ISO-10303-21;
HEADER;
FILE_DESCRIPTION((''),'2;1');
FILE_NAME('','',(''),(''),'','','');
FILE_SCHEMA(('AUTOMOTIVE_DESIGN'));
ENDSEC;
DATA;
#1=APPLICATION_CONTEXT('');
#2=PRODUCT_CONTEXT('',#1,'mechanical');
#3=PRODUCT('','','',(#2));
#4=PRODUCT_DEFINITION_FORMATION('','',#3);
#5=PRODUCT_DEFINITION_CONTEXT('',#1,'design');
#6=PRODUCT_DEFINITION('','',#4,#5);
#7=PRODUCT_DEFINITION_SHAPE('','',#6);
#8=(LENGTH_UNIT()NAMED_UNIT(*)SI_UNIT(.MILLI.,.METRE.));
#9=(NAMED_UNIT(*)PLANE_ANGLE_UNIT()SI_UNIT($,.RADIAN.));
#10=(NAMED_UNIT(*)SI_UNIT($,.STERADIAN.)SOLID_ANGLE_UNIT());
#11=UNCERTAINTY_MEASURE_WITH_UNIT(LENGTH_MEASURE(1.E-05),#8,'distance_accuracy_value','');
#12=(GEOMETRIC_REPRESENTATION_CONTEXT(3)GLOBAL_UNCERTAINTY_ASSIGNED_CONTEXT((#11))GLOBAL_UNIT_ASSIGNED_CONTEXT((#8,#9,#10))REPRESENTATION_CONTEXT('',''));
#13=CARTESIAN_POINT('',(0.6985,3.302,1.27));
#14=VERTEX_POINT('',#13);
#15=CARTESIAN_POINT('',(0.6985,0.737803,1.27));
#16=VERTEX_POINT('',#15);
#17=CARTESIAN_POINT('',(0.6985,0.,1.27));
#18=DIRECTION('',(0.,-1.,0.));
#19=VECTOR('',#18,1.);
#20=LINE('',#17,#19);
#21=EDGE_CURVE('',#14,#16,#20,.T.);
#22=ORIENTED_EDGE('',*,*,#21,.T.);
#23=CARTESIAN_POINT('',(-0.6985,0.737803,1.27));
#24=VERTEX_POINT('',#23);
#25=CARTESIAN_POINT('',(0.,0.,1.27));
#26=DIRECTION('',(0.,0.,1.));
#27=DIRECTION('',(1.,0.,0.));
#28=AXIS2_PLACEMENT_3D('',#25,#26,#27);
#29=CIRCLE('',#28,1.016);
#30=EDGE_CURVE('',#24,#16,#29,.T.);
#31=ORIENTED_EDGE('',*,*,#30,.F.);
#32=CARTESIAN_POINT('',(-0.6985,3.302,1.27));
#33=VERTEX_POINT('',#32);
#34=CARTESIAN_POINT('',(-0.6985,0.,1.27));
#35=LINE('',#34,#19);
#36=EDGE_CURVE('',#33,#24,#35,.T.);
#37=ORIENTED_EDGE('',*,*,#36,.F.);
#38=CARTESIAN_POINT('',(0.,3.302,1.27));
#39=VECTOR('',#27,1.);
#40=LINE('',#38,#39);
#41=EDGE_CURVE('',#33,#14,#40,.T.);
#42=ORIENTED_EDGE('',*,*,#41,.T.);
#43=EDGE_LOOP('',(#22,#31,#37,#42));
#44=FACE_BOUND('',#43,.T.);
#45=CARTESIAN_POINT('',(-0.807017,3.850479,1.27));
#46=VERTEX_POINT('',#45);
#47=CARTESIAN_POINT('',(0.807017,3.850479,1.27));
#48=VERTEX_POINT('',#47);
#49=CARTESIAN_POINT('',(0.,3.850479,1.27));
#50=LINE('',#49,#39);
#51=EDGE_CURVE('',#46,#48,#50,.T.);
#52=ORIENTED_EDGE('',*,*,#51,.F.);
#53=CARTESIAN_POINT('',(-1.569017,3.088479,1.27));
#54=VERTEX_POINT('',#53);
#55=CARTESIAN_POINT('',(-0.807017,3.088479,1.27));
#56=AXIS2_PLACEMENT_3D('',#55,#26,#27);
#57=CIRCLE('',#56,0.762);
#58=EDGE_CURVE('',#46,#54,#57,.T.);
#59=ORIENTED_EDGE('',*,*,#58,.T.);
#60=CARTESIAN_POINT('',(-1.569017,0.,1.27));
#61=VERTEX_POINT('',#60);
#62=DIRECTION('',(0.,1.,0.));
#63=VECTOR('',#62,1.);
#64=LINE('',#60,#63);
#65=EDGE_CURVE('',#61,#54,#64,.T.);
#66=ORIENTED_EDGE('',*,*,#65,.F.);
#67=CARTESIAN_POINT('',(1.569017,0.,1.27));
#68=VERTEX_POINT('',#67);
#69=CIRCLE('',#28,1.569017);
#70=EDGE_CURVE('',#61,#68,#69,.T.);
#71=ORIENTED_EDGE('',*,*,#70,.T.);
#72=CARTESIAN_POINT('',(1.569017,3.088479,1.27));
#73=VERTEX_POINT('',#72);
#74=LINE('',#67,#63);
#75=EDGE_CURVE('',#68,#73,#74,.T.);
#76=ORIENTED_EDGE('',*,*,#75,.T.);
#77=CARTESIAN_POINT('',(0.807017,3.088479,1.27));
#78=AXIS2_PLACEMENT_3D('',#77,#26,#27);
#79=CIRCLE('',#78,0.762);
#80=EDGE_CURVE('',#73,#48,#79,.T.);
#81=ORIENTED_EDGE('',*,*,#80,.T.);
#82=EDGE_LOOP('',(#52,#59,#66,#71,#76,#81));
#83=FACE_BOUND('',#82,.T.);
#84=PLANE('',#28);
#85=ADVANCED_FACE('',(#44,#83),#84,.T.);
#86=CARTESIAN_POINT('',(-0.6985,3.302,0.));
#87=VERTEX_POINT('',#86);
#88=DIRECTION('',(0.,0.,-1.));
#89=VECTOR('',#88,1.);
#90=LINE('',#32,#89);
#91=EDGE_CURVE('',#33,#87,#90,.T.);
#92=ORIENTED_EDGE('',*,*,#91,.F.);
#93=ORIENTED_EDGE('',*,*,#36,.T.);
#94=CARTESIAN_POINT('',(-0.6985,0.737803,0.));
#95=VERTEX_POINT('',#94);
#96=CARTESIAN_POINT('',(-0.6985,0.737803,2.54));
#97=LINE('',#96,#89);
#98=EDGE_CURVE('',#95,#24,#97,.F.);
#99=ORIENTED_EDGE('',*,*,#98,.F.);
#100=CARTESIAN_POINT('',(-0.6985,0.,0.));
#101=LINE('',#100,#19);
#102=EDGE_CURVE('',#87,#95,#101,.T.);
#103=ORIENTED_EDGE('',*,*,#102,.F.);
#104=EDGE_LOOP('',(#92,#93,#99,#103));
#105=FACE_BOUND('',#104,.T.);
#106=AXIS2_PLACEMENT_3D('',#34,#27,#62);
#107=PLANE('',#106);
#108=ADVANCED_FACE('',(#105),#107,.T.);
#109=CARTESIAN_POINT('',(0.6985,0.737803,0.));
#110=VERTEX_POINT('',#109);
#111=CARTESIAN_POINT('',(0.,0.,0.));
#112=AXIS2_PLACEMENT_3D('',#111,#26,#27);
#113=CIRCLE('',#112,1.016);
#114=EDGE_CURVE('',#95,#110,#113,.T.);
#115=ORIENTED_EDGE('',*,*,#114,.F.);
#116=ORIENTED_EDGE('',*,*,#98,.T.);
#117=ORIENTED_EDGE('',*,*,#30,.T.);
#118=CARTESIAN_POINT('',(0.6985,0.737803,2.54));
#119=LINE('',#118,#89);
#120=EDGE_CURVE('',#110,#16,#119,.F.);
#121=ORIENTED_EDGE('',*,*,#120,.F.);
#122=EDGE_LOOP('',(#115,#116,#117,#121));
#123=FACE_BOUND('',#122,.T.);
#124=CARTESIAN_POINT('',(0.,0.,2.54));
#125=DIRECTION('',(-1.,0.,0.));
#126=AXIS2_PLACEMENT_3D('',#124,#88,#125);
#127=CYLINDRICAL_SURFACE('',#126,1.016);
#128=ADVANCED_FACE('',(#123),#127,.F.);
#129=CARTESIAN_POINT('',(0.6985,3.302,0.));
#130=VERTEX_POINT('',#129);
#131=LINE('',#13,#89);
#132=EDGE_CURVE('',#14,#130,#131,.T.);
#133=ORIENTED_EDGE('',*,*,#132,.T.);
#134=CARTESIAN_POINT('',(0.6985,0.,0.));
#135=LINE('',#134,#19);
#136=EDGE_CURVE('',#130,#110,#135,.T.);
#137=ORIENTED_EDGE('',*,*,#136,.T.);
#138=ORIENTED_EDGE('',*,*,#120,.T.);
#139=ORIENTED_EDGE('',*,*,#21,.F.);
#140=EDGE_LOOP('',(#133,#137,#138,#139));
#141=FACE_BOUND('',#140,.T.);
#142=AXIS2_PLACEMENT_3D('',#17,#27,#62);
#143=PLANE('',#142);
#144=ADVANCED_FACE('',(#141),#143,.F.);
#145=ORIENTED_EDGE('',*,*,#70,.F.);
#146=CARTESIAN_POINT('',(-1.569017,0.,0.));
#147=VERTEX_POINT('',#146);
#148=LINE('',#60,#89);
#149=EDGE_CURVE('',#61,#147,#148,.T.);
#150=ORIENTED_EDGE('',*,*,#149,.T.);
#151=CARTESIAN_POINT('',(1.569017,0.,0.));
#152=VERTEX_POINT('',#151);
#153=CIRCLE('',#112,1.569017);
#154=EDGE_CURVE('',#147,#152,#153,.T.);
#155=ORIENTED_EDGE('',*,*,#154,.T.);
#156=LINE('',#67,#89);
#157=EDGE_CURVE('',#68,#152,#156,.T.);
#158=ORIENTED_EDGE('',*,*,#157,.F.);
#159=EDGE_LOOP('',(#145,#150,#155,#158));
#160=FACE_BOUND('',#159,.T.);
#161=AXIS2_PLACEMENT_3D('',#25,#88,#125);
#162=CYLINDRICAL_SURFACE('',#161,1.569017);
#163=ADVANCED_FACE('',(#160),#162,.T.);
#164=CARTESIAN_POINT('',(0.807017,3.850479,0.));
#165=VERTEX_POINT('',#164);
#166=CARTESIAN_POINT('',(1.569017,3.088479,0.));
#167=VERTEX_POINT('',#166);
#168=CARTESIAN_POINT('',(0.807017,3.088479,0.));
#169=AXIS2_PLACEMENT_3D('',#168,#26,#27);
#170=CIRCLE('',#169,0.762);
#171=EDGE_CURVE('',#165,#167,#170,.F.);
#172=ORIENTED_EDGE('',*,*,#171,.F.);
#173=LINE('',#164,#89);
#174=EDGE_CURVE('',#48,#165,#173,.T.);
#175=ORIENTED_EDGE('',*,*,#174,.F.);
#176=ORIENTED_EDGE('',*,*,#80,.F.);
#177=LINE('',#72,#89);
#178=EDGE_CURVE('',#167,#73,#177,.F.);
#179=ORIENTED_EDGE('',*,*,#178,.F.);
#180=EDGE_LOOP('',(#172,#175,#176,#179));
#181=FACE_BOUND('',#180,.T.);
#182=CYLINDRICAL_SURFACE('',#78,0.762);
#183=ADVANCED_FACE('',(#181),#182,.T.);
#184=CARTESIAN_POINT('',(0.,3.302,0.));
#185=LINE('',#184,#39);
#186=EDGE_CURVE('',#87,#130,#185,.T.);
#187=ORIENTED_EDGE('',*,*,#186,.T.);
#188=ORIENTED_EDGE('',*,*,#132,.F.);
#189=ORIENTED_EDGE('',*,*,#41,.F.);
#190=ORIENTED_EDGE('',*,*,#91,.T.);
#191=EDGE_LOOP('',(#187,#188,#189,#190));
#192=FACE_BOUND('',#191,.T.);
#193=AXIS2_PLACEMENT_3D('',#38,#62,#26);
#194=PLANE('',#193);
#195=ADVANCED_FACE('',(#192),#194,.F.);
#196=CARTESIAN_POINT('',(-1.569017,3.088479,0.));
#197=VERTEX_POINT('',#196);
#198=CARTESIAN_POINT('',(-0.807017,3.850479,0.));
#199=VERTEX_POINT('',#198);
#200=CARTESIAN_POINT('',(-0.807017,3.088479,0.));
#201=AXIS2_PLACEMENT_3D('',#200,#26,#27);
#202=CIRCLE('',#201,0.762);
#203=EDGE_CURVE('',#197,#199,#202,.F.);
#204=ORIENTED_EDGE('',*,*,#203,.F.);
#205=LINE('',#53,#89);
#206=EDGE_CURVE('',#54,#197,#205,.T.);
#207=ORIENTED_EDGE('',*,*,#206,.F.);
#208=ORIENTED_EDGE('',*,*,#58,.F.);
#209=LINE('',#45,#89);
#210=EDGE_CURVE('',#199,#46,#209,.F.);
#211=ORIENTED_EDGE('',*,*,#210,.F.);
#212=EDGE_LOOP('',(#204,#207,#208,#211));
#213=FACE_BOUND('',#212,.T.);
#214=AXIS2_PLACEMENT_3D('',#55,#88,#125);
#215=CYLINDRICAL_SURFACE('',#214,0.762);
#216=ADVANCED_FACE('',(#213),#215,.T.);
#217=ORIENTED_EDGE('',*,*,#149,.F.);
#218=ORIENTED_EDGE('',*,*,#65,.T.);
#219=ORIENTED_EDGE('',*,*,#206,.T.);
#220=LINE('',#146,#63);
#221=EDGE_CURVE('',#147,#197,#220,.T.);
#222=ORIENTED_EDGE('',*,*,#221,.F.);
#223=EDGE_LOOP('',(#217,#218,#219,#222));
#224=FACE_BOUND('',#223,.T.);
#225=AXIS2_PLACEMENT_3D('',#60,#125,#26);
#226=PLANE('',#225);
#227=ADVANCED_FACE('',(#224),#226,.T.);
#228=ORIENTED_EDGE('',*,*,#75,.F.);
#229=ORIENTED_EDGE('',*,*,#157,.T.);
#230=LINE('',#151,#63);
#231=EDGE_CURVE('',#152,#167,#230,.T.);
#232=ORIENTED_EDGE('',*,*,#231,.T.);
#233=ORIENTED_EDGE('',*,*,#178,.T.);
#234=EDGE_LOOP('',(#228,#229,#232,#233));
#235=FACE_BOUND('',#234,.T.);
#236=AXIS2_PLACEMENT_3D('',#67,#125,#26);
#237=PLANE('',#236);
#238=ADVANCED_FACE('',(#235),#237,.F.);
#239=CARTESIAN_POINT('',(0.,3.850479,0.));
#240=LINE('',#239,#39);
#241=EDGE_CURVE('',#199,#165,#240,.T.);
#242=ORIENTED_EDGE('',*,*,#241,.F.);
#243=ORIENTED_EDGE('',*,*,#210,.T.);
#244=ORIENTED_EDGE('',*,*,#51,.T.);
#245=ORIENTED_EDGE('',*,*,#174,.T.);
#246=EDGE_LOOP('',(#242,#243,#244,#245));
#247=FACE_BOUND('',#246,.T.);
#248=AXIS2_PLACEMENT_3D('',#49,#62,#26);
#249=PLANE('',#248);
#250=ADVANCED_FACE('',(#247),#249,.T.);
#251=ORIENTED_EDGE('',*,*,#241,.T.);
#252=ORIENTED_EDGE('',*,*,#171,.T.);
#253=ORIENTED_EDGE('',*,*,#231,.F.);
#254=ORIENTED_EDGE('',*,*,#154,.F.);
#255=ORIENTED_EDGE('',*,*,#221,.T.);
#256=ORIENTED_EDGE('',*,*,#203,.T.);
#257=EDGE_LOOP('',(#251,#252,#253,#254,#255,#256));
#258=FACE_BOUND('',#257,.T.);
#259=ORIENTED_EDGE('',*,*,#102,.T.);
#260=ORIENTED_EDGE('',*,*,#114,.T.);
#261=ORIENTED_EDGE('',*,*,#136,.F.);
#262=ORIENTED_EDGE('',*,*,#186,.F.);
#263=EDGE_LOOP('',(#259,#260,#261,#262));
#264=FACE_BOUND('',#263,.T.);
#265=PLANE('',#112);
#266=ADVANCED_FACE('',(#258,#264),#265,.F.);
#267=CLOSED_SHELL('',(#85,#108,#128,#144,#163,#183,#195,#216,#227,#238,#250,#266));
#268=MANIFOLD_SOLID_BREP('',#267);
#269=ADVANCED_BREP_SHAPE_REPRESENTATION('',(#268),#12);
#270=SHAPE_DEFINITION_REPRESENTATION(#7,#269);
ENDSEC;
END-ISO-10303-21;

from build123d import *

# Parameters (mm, degrees)
BOSS_EXTRUDE1_DEPTH = 1.27
SKETCH2_R           = 1.016
CUT_EXTRUDE1_DEPTH  = 2.54
FILLET2_R           = 0.762


with BuildPart() as part:
    # Sketch1 → Boss-Extrude1 (new body)
    with BuildSketch(Plane.XY):
        with BuildLine():
            Line((-0.6985, 1.404959328), (-0.6985, 3.302))
            Line((-0.6985, 3.302), (0.6985, 3.302))
            Line((0.6985, 3.302), (0.6985, 1.404959328))
            ThreePointArc((0.6985, 1.404959328), (1.33374867, 0.826394245), (1.569016559, 0))
            Line((1.569016559, 0), (1.569016559, 3.850479464))
            Line((1.569016559, 3.850479464), (-1.569016559, 3.850479464))
            Line((-1.569016559, 3.850479464), (-1.569016559, 0))
            ThreePointArc((-1.569016559, 0), (-1.33374867, 0.826394245), (-0.6985, 1.404959328))
        make_face()
        with BuildLine():
            ThreePointArc((0.6985, 0), (0, -0.6985), (-0.6985, 0))
            Line((-0.6985, 0), (-1.569016559, 0))
            ThreePointArc((-1.569016559, 0), (0, -1.569016559), (1.569016559, 0))
            Line((1.569016559, 0), (0.6985, 0))
        make_face()
        with BuildLine():
            ThreePointArc((1.569016559, 0), (1.33374867, 0.826394245), (0.6985, 1.404959328))
            Line((0.6985, 1.404959328), (0.6985, 0))
            Line((0.6985, 0), (1.569016559, 0))
        make_face()
        with BuildLine():
            Line((-0.6985, 0), (-0.6985, 1.404959328))
            ThreePointArc((-0.6985, 1.404959328), (-1.33374867, 0.826394245), (-1.569016559, 0))
            Line((-1.569016559, 0), (-0.6985, 0))
        make_face()
    extrude(amount=BOSS_EXTRUDE1_DEPTH)

    # Sketch2 → Cut-Extrude1 (cut)
    with BuildSketch(Plane(origin=(0, 0, 0), x_dir=(-1, 0, 0), z_dir=(0, 0, -1))):
        Circle(SKETCH2_R)
    extrude(amount=-CUT_EXTRUDE1_DEPTH, mode=Mode.SUBTRACT)

    # Fillet2
    fillet2_edges = [part.edges().sort_by_distance(p)[0] for p in [
        (-1.569016559, 3.850479464, 0.635),
        (1.569016559, 3.850479464, 0.635),
    ]]
    fillet(fillet2_edges, radius=FILLET2_R)


solid = part.part
